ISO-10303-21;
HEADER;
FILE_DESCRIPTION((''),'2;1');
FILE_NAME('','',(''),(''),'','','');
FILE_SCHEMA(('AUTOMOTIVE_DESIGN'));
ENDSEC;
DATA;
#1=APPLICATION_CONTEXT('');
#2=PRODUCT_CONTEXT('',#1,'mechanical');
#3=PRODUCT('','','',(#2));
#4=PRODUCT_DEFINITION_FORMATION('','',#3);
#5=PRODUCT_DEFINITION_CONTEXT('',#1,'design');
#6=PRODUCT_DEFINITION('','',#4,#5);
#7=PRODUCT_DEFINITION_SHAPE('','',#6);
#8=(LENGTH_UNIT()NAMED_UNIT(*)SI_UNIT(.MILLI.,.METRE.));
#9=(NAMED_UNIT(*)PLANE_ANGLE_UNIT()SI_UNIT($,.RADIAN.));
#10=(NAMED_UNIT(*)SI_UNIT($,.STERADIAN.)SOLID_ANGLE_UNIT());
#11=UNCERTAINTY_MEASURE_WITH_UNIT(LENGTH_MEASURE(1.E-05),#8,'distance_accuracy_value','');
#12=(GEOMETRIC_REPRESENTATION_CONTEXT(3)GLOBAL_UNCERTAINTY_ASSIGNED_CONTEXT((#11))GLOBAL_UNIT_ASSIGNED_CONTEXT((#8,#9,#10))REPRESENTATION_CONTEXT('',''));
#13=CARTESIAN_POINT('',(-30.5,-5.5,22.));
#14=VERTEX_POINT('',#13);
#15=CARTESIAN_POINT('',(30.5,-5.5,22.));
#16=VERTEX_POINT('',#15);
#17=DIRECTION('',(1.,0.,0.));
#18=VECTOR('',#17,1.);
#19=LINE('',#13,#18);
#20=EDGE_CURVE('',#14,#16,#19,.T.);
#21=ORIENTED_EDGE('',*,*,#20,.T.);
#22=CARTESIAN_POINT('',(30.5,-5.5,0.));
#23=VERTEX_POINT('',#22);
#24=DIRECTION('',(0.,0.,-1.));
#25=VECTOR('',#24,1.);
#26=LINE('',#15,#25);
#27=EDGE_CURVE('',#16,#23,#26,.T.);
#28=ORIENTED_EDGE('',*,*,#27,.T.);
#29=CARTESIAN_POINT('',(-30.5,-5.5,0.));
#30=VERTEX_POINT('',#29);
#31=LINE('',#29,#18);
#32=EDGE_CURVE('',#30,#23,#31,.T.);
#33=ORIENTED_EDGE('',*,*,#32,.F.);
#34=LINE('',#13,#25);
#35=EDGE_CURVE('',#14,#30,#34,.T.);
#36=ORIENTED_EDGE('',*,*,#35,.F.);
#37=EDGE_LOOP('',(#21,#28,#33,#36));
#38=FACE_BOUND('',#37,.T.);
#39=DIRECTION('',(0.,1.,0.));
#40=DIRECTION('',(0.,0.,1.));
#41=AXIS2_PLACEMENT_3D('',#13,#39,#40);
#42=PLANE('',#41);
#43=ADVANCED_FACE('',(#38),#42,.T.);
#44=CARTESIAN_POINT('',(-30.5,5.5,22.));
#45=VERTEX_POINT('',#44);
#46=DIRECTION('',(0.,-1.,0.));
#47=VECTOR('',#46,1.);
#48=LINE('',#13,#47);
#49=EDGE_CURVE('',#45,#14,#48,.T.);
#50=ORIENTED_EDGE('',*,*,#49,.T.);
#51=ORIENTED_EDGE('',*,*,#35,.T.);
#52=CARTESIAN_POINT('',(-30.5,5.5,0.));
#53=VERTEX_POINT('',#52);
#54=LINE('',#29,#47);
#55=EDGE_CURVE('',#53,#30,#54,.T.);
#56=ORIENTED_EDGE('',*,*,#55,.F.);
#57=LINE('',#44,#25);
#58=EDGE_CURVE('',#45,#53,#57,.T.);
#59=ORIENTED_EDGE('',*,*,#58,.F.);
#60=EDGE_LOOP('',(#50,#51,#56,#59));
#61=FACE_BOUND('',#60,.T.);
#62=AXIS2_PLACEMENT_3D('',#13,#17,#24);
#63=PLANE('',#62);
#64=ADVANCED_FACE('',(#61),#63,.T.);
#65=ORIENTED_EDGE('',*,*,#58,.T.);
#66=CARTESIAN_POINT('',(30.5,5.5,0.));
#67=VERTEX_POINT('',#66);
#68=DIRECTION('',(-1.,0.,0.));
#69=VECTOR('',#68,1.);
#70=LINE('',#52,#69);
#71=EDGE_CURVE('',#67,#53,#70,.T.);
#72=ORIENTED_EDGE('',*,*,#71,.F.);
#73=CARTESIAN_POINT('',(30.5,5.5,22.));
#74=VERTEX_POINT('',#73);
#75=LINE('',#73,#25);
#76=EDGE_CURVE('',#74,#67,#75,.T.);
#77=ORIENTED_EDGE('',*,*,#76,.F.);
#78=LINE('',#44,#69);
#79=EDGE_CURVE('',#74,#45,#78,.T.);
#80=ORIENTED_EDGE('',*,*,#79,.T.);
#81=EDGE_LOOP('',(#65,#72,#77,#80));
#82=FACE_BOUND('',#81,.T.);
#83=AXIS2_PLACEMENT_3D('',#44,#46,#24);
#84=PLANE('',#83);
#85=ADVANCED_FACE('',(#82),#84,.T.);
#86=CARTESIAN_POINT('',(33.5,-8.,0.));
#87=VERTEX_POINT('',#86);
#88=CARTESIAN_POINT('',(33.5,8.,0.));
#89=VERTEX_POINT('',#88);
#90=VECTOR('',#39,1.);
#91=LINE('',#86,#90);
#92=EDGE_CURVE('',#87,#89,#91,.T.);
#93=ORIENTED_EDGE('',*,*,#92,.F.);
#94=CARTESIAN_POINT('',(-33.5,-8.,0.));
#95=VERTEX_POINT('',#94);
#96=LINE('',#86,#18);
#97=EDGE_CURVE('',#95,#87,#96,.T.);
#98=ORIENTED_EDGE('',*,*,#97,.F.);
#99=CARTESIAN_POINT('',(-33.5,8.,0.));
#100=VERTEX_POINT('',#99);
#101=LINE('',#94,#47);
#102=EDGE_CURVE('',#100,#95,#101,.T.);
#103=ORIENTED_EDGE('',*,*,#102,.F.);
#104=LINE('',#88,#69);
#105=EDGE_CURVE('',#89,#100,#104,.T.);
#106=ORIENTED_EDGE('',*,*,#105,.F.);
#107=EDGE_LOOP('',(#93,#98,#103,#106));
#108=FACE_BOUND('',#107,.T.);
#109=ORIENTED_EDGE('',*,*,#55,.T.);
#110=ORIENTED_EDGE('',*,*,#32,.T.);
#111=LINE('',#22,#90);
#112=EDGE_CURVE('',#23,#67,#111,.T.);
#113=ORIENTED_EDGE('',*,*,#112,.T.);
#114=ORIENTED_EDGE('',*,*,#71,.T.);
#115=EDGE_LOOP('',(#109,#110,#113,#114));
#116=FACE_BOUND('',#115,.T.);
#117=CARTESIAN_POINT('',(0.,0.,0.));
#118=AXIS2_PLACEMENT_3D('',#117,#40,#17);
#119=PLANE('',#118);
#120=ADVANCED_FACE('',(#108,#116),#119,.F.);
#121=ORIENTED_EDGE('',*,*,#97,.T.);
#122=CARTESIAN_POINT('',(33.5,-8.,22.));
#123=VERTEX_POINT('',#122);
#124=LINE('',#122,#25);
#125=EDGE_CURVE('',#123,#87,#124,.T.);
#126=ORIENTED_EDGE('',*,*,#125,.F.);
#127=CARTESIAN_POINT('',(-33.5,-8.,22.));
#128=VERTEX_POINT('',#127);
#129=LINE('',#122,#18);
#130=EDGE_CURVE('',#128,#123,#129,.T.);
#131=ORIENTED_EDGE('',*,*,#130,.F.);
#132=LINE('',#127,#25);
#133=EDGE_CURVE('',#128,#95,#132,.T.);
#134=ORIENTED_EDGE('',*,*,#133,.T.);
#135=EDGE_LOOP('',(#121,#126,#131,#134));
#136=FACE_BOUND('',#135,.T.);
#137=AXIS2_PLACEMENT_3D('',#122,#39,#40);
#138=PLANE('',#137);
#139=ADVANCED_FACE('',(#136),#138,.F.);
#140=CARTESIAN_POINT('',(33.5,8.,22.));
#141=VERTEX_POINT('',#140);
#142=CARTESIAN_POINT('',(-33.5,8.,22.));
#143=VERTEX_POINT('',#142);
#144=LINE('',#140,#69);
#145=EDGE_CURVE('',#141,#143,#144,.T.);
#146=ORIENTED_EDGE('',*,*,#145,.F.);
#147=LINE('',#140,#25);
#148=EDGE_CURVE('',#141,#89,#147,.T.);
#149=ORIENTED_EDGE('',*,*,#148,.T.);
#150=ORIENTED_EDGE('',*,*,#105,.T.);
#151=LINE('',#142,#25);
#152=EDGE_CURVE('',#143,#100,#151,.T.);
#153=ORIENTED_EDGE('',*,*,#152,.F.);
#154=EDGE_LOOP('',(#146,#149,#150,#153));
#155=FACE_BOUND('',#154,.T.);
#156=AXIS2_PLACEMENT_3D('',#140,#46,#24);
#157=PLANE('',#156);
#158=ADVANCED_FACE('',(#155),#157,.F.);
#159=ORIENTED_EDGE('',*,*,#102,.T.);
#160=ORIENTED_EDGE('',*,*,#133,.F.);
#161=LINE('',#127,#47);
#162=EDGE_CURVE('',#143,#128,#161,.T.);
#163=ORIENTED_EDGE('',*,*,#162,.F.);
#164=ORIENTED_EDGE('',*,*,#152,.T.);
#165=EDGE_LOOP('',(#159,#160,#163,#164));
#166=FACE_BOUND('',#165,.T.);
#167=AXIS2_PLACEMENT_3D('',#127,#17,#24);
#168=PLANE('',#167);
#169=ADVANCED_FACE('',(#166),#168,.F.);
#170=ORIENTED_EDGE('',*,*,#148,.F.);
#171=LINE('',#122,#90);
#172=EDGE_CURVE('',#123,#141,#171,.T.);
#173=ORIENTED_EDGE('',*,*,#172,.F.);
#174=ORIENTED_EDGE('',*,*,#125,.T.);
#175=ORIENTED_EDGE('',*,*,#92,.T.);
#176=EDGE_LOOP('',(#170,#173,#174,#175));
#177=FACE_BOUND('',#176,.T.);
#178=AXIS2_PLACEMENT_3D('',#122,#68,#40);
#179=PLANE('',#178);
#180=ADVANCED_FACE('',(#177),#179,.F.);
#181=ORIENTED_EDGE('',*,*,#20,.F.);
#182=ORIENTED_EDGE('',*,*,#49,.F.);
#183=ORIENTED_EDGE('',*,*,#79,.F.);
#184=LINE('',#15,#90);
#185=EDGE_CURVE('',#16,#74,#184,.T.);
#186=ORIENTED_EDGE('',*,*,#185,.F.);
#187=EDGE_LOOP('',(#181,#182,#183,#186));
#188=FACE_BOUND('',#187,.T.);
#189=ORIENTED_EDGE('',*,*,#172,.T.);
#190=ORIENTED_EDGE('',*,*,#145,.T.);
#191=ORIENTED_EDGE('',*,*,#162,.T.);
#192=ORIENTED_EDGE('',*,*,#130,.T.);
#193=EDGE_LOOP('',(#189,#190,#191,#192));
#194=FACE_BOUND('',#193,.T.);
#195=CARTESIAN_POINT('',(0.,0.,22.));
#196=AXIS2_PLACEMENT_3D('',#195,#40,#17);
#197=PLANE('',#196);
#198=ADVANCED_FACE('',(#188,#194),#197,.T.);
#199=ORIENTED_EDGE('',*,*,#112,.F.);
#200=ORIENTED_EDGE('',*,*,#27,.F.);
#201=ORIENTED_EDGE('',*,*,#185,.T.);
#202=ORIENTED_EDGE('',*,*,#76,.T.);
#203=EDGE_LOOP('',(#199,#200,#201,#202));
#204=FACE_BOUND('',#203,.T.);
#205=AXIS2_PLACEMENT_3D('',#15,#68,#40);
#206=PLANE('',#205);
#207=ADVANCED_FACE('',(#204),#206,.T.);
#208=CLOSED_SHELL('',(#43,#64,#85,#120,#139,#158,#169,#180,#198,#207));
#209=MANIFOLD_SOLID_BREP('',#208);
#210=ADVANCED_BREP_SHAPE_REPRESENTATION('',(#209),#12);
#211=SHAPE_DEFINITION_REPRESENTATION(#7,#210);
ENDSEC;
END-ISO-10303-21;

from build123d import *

# Parameters (mm, degrees)
SKETCH_1_W      = 67
SKETCH_1_H      = 16
SKETCH_1_W_2    = 61
SKETCH_1_H_2    = 11
EXTRUDE_1_DEPTH = 22


with BuildPart() as part:
    # 草图1 → 凸台-拉伸1 (new body)
    with BuildSketch(Plane.XY):
        Rectangle(SKETCH_1_W, SKETCH_1_H)
        Rectangle(SKETCH_1_W_2, SKETCH_1_H_2, mode=Mode.SUBTRACT)
    extrude(amount=EXTRUDE_1_DEPTH)


solid = part.part
